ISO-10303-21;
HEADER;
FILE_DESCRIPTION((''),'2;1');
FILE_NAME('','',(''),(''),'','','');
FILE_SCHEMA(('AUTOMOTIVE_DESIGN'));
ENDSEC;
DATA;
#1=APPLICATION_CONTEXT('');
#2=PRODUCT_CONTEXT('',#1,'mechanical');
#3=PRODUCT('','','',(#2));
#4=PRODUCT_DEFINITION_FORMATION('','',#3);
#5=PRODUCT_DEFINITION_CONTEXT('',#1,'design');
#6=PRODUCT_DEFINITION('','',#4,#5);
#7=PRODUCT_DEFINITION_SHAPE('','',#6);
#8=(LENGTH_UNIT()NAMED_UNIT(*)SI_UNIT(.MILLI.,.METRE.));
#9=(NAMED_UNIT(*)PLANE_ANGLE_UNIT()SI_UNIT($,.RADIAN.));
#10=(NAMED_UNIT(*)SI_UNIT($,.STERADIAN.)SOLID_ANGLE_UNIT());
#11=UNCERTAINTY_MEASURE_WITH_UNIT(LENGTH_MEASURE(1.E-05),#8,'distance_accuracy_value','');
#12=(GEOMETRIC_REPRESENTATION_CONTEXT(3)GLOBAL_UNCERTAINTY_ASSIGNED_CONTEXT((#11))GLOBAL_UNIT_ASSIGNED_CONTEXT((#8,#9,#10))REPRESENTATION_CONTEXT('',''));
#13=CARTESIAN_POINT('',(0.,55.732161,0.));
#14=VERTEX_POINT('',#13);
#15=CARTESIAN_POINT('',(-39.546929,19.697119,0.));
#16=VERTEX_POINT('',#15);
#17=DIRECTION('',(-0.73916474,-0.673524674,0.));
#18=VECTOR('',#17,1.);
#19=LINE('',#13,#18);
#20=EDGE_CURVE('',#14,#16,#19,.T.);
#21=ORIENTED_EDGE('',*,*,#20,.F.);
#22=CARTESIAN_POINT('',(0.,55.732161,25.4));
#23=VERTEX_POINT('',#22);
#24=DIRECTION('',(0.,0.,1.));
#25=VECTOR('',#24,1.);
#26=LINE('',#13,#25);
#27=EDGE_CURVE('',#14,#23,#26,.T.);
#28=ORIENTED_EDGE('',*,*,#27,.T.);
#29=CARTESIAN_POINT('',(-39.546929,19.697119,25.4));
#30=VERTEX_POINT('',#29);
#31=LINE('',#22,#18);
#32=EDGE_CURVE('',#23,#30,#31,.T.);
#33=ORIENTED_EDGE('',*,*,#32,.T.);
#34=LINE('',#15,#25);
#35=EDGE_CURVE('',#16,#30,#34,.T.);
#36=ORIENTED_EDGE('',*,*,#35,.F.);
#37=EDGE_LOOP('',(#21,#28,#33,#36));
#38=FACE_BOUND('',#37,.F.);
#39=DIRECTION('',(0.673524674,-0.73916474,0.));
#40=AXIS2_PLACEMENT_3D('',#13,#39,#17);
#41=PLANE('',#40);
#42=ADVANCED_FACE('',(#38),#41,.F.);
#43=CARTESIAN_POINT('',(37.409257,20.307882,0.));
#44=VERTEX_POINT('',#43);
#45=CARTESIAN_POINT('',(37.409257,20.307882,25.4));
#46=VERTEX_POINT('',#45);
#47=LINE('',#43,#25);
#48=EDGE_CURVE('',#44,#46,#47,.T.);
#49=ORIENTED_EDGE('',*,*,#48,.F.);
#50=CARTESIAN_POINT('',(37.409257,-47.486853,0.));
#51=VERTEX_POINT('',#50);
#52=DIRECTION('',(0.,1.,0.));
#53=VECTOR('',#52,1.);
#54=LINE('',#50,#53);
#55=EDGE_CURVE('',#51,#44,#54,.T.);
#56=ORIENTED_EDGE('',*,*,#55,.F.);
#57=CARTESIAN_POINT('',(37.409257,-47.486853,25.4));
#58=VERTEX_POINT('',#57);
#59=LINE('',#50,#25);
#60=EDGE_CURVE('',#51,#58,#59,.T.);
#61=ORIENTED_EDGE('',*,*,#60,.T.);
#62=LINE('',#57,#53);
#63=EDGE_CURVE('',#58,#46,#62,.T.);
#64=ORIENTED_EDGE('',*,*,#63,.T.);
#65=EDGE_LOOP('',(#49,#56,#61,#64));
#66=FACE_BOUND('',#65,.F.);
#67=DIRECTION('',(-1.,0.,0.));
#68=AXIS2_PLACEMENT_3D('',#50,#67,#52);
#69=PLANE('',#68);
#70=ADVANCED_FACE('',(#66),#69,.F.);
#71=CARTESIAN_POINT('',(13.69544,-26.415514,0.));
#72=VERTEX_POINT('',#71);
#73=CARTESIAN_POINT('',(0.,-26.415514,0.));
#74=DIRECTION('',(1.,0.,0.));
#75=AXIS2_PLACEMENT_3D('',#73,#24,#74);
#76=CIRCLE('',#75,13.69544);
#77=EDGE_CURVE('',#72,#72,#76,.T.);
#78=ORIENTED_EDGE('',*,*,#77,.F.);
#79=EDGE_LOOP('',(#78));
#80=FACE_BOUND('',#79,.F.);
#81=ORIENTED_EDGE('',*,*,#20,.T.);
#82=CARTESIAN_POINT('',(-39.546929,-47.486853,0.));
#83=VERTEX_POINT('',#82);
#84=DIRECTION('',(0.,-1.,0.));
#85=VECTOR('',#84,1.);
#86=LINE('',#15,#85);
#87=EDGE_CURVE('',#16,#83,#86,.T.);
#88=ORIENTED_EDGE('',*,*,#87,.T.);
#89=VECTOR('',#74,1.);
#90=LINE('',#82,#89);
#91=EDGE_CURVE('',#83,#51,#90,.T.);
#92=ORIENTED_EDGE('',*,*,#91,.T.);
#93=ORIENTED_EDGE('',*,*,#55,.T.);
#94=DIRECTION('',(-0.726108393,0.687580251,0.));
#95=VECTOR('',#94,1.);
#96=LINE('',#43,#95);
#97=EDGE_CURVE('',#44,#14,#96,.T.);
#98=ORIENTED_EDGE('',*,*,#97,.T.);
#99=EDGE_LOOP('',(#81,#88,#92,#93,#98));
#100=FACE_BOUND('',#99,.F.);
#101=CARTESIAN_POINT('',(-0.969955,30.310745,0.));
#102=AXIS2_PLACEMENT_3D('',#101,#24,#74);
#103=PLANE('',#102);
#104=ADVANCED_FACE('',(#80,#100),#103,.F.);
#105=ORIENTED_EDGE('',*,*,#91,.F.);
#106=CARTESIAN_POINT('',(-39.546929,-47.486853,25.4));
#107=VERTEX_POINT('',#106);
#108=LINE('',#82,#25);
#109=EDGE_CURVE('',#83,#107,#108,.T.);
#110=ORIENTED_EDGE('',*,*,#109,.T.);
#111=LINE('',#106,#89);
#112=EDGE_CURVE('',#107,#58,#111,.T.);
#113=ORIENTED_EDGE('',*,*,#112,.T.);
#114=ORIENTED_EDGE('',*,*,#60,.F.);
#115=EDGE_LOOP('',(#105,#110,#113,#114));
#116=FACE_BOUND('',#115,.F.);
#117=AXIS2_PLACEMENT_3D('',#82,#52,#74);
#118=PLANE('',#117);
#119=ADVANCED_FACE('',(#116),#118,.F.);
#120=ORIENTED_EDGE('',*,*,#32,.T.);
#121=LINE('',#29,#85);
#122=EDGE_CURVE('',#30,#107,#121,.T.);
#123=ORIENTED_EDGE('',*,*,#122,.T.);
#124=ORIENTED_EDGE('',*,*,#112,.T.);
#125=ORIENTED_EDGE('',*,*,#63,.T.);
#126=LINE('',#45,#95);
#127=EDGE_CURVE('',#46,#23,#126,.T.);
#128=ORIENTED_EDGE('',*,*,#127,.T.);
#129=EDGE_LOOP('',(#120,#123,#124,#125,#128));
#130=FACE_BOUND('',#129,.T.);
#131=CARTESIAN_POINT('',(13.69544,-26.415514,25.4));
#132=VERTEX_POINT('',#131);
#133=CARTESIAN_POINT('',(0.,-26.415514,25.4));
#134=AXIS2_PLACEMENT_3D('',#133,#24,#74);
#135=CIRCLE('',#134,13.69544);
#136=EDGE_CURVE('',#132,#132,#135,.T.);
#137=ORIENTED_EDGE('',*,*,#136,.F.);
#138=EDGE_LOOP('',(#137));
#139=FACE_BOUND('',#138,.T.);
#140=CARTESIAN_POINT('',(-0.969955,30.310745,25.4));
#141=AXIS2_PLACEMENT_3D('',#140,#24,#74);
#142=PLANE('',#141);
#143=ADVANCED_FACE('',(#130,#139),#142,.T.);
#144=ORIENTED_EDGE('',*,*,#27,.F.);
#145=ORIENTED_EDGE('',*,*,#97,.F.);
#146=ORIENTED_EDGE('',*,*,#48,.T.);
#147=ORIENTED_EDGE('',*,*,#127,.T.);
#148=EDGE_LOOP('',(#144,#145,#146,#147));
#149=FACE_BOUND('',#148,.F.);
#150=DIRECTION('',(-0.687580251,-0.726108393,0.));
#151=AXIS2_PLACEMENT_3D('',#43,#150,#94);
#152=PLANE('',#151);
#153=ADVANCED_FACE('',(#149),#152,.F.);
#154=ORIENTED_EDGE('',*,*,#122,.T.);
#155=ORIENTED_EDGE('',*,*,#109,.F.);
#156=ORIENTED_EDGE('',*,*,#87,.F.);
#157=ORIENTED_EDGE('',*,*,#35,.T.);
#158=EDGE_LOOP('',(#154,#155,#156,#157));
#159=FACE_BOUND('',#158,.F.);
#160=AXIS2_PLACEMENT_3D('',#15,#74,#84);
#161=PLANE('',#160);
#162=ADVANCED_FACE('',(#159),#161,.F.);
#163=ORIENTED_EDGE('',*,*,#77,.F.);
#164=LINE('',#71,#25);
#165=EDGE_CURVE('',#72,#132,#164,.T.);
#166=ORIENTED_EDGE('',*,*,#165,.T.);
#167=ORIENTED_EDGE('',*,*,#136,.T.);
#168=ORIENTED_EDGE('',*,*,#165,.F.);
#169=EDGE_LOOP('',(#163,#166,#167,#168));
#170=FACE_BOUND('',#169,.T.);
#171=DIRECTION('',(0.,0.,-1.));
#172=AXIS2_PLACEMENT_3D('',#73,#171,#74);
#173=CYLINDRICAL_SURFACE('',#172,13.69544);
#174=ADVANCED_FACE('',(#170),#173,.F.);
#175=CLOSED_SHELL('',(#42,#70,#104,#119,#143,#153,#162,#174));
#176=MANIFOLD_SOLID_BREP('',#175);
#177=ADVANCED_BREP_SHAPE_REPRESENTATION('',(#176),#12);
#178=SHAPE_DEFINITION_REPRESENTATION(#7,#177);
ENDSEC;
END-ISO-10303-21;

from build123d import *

# Parameters (mm, degrees)
F0_R     = 13.69544
F1_DEPTH = 25.4


with BuildPart() as f1:
    # F0 (on Top) → F1 (new body)
    with BuildSketch(Plane.XY):
        Polygon((0, 55.732161), (-39.546929, 19.697119), (37.409257, 20.307882), align=None)
        Polygon((-39.546929, 19.697119), (-39.546929, -47.486853), (37.409257, -47.486853), (37.409257, 20.307882), align=None)
        with Locations((0, -26.415514)):
            Circle(F0_R, mode=Mode.SUBTRACT)
    extrude(amount=F1_DEPTH)


solid = f1.part
